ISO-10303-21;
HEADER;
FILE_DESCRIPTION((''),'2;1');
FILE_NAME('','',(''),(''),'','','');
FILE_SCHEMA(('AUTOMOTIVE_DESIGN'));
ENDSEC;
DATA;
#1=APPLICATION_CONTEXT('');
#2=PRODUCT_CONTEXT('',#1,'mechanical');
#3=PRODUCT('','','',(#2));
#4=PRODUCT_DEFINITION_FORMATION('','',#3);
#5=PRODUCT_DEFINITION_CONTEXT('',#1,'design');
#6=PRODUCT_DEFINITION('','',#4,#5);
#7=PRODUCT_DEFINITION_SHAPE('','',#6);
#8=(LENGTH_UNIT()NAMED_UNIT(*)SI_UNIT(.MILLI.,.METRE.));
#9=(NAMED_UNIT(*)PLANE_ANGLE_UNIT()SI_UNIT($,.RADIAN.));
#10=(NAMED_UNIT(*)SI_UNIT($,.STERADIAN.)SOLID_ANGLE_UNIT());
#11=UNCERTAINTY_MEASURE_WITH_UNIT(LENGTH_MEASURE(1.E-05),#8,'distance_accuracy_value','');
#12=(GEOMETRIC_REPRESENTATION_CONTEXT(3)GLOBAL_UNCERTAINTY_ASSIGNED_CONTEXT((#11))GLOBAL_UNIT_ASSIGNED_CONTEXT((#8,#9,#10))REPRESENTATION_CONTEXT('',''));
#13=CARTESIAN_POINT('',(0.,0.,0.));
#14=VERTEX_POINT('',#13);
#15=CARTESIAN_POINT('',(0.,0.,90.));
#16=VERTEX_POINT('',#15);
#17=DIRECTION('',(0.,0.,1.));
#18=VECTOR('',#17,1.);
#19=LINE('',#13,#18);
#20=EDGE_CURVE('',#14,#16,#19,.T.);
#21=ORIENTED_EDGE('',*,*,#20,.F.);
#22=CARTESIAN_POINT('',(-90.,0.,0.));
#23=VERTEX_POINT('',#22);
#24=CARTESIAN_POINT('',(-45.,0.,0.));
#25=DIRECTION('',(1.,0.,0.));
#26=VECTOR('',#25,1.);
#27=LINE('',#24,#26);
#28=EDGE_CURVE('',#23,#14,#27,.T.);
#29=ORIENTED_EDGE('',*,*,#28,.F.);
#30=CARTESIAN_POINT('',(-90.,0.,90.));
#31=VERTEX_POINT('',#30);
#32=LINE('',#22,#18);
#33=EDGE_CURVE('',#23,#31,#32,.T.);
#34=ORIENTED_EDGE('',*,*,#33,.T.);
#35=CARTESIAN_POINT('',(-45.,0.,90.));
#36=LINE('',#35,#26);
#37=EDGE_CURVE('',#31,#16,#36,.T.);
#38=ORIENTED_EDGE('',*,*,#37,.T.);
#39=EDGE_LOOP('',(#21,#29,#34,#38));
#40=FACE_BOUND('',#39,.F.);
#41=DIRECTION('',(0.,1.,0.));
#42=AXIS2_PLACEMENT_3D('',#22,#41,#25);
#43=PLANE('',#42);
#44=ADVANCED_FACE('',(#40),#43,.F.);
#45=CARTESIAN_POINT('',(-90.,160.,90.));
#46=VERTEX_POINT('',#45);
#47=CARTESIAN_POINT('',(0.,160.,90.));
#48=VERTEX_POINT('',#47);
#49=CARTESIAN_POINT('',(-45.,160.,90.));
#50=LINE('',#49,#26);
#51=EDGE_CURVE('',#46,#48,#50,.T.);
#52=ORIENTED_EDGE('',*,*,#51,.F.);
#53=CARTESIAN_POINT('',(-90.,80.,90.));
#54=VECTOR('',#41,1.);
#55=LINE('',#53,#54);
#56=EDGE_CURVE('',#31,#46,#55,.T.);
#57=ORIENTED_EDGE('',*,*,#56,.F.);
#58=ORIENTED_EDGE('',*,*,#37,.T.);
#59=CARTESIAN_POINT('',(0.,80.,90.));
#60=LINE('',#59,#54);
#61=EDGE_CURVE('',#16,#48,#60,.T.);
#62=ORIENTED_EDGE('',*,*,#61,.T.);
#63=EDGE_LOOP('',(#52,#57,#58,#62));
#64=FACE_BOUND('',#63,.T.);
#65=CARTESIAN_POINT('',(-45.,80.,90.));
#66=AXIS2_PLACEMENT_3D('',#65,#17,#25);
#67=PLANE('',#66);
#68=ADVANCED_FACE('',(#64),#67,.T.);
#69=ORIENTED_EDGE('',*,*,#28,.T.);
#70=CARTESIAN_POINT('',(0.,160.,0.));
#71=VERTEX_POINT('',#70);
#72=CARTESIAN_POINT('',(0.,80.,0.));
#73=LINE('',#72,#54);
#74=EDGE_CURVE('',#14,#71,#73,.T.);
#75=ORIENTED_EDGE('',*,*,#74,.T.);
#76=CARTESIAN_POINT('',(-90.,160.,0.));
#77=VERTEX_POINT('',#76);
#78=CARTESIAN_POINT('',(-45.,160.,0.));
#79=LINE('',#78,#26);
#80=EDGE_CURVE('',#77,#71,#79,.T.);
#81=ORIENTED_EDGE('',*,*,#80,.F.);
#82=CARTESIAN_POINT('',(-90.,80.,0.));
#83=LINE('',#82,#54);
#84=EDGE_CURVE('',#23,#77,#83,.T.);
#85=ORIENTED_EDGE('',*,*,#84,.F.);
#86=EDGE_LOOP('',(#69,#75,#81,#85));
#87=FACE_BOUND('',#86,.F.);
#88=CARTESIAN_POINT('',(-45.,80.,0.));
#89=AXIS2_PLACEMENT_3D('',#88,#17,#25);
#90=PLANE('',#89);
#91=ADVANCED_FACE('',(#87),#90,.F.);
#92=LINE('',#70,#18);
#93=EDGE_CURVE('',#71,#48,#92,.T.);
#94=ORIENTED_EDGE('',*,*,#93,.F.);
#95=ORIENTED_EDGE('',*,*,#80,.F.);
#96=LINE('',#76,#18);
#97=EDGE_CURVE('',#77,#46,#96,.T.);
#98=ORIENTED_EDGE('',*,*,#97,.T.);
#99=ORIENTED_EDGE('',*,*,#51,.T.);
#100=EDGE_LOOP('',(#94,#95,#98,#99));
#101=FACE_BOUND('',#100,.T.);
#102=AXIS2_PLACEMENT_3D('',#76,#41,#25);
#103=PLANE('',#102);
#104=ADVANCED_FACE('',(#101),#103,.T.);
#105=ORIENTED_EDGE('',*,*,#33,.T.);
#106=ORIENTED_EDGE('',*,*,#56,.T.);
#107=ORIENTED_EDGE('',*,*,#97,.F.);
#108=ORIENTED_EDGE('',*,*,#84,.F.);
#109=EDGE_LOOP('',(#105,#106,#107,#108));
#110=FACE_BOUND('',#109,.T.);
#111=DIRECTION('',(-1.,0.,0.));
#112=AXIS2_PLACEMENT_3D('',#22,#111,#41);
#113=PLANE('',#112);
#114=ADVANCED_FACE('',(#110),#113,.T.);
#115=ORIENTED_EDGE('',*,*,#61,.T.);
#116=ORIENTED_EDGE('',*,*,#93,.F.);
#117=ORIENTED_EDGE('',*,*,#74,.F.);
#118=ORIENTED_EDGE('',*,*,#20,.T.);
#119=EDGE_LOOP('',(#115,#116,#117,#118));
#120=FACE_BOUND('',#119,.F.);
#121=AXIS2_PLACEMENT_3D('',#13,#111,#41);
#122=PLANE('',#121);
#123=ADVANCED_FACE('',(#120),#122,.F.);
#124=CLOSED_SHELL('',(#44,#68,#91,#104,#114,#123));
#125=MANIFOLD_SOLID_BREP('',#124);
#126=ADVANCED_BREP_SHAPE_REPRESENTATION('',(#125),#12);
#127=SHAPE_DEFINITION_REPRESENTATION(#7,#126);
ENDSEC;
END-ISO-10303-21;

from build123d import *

# Parameters (mm, degrees)
SKETCH_W  = 90
SKETCH_H  = 160
PAD_DEPTH = 90


with BuildPart() as part:
    # Sketch → Pad (new body)
    with BuildSketch(Plane.XY):
        with Locations((-45, 80)):
            Rectangle(SKETCH_W, SKETCH_H)
    extrude(amount=PAD_DEPTH)


solid = part.part
